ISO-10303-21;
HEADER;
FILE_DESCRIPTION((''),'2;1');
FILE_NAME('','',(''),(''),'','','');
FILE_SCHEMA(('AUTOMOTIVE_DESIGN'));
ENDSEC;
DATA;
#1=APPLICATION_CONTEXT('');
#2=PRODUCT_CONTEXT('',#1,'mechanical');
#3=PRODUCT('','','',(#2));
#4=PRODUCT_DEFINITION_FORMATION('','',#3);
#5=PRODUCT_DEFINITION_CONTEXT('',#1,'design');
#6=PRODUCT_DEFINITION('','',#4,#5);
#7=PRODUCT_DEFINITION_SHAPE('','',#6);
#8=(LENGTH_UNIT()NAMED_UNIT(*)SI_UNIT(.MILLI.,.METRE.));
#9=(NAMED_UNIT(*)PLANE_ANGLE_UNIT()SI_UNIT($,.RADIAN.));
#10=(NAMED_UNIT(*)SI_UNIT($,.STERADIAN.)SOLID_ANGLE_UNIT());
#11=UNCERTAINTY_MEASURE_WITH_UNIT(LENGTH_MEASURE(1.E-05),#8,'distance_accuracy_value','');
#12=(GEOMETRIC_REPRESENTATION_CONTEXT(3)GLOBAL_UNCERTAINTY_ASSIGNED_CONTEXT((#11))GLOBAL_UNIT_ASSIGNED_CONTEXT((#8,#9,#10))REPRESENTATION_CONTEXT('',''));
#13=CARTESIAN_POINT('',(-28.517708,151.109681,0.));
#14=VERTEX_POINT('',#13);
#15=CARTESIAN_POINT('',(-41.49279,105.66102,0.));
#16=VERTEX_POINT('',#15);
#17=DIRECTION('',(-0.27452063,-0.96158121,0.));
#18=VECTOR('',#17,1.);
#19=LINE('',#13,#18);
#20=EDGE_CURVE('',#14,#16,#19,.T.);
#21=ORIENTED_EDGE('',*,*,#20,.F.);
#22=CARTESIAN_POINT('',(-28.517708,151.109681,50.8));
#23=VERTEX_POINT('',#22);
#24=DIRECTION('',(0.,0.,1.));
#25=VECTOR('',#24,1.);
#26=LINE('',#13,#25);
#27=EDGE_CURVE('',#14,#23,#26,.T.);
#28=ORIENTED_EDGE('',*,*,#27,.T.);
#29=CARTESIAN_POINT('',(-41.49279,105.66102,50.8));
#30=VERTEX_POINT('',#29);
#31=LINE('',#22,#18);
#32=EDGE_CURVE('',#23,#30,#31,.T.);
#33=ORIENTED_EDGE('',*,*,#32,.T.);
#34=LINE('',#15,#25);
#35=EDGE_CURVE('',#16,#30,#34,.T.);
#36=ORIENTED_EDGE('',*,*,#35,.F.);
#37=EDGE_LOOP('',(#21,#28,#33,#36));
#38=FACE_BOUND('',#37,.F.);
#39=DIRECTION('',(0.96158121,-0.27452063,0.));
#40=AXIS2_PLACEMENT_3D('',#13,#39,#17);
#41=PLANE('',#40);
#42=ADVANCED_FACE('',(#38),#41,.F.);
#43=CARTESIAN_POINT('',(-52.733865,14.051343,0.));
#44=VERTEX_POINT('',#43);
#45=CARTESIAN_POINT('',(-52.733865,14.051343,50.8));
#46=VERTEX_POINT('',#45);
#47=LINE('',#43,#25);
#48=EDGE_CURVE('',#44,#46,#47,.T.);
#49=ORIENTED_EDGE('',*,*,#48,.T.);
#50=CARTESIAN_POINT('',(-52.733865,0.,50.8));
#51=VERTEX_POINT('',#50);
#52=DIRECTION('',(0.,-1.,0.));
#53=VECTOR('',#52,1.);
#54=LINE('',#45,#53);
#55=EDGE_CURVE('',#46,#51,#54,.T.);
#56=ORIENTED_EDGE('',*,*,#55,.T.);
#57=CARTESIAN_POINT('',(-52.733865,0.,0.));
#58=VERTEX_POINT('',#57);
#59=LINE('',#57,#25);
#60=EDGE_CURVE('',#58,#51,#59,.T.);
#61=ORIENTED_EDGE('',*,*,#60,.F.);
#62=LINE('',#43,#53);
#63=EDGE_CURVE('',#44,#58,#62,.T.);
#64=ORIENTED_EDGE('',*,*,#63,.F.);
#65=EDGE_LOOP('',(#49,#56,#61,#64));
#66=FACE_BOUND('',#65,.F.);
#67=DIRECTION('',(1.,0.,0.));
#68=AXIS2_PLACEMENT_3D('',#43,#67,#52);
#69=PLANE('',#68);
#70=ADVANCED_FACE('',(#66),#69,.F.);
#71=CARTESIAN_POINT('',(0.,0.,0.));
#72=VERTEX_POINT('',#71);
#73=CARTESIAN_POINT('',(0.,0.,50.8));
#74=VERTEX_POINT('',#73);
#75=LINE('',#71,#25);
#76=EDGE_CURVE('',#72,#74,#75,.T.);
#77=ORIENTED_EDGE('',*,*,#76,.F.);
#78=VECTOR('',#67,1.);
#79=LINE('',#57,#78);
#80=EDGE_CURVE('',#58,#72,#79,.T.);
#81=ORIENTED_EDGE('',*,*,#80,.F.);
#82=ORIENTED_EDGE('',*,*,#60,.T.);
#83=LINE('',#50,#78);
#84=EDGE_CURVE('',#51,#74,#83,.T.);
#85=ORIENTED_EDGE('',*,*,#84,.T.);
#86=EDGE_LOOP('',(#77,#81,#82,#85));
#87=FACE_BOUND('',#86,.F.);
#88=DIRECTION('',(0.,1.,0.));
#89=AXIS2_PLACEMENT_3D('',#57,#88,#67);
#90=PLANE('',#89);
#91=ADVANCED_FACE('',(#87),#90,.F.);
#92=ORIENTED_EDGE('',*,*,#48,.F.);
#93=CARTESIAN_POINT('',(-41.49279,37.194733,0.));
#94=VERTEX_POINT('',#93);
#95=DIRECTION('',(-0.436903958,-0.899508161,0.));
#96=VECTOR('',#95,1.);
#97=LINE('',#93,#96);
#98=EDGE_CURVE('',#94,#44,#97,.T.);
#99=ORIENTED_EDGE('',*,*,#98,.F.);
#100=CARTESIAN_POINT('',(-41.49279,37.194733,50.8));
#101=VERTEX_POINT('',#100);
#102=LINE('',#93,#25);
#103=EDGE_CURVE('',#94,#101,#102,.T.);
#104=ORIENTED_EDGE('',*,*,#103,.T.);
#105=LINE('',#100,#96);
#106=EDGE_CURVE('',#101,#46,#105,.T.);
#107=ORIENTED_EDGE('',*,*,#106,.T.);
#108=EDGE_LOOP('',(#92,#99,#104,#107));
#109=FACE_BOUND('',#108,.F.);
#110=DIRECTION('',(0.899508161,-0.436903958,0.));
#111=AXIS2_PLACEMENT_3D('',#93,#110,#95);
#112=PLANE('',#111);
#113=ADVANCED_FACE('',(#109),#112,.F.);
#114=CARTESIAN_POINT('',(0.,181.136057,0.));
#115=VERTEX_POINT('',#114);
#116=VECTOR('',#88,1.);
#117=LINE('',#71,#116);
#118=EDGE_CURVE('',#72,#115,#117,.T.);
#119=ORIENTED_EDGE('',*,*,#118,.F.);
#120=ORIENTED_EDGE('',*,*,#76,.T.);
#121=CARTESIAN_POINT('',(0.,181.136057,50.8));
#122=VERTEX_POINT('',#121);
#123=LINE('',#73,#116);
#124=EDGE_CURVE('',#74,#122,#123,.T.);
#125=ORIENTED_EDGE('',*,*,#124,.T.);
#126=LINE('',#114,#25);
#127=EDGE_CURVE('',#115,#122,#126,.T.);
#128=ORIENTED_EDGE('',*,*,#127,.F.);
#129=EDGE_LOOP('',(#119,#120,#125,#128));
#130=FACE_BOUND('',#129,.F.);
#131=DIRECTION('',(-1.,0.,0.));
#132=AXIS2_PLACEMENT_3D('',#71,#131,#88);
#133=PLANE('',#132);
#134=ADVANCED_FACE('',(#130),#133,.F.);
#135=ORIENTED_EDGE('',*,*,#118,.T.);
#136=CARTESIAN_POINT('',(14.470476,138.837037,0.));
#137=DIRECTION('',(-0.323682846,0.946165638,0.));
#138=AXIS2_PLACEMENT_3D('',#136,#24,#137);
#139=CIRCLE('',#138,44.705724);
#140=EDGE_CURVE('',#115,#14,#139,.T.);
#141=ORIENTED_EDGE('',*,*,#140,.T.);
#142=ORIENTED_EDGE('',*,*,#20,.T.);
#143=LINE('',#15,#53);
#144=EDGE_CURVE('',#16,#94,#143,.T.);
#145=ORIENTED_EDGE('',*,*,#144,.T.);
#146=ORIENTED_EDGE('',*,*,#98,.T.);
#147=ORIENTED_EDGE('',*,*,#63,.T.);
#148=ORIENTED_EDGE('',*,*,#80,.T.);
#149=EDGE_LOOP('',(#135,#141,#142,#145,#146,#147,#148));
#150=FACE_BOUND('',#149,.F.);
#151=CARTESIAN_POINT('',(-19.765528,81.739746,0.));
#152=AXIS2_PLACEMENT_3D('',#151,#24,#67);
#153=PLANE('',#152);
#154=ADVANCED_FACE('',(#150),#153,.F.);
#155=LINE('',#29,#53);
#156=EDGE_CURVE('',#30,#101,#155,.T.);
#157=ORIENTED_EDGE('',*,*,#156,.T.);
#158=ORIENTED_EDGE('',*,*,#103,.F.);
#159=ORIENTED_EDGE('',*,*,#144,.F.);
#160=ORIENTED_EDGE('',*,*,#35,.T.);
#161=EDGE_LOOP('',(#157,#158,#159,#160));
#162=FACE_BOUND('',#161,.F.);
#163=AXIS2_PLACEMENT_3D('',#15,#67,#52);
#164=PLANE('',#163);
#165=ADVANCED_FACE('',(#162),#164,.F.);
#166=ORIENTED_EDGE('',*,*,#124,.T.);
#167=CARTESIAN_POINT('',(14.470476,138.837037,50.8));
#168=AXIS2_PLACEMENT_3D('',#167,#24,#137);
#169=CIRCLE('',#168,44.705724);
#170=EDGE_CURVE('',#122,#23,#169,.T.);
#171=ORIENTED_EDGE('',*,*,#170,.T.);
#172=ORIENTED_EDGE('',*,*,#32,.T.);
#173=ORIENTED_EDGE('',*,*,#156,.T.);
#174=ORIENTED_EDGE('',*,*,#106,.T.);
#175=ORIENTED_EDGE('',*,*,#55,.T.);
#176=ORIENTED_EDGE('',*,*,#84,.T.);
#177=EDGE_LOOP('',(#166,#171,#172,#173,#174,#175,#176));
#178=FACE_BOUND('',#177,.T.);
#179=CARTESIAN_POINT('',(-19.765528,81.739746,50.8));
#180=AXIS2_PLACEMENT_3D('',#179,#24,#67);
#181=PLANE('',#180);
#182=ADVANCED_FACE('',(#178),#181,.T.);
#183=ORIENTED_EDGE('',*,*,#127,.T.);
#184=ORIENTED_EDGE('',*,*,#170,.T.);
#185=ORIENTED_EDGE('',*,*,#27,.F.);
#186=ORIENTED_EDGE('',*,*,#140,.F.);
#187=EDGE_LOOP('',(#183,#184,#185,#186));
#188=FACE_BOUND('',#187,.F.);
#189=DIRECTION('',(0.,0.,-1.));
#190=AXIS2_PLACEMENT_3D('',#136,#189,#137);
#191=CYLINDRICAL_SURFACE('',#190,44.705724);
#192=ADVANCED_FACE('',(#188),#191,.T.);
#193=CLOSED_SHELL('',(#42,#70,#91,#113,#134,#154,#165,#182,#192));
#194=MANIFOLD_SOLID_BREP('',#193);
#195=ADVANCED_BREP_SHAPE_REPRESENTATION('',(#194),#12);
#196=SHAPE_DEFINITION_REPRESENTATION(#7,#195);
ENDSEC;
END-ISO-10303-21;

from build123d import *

# Parameters (mm, degrees)
F1_DEPTH = 50.8


with BuildPart() as f1:
    # F0 (on Top) → F1 (new body)
    with BuildSketch(Plane.XY):
        with BuildLine():
            Line((-52.733865, 0), (0, 0))
            Line((0, 0), (0, 181.136057))
            ThreePointArc((0, 181.136057), (-17.94511, 169.62391), (-28.517708, 151.109681))
            Line((-28.517708, 151.109681), (-41.49279, 105.66102))
            Line((-41.49279, 105.66102), (-41.49279, 37.194733))
            Line((-41.49279, 37.194733), (-52.733865, 14.051343))
            Line((-52.733865, 14.051343), (-52.733865, 0))
        make_face()
    extrude(amount=F1_DEPTH)


solid = f1.part
